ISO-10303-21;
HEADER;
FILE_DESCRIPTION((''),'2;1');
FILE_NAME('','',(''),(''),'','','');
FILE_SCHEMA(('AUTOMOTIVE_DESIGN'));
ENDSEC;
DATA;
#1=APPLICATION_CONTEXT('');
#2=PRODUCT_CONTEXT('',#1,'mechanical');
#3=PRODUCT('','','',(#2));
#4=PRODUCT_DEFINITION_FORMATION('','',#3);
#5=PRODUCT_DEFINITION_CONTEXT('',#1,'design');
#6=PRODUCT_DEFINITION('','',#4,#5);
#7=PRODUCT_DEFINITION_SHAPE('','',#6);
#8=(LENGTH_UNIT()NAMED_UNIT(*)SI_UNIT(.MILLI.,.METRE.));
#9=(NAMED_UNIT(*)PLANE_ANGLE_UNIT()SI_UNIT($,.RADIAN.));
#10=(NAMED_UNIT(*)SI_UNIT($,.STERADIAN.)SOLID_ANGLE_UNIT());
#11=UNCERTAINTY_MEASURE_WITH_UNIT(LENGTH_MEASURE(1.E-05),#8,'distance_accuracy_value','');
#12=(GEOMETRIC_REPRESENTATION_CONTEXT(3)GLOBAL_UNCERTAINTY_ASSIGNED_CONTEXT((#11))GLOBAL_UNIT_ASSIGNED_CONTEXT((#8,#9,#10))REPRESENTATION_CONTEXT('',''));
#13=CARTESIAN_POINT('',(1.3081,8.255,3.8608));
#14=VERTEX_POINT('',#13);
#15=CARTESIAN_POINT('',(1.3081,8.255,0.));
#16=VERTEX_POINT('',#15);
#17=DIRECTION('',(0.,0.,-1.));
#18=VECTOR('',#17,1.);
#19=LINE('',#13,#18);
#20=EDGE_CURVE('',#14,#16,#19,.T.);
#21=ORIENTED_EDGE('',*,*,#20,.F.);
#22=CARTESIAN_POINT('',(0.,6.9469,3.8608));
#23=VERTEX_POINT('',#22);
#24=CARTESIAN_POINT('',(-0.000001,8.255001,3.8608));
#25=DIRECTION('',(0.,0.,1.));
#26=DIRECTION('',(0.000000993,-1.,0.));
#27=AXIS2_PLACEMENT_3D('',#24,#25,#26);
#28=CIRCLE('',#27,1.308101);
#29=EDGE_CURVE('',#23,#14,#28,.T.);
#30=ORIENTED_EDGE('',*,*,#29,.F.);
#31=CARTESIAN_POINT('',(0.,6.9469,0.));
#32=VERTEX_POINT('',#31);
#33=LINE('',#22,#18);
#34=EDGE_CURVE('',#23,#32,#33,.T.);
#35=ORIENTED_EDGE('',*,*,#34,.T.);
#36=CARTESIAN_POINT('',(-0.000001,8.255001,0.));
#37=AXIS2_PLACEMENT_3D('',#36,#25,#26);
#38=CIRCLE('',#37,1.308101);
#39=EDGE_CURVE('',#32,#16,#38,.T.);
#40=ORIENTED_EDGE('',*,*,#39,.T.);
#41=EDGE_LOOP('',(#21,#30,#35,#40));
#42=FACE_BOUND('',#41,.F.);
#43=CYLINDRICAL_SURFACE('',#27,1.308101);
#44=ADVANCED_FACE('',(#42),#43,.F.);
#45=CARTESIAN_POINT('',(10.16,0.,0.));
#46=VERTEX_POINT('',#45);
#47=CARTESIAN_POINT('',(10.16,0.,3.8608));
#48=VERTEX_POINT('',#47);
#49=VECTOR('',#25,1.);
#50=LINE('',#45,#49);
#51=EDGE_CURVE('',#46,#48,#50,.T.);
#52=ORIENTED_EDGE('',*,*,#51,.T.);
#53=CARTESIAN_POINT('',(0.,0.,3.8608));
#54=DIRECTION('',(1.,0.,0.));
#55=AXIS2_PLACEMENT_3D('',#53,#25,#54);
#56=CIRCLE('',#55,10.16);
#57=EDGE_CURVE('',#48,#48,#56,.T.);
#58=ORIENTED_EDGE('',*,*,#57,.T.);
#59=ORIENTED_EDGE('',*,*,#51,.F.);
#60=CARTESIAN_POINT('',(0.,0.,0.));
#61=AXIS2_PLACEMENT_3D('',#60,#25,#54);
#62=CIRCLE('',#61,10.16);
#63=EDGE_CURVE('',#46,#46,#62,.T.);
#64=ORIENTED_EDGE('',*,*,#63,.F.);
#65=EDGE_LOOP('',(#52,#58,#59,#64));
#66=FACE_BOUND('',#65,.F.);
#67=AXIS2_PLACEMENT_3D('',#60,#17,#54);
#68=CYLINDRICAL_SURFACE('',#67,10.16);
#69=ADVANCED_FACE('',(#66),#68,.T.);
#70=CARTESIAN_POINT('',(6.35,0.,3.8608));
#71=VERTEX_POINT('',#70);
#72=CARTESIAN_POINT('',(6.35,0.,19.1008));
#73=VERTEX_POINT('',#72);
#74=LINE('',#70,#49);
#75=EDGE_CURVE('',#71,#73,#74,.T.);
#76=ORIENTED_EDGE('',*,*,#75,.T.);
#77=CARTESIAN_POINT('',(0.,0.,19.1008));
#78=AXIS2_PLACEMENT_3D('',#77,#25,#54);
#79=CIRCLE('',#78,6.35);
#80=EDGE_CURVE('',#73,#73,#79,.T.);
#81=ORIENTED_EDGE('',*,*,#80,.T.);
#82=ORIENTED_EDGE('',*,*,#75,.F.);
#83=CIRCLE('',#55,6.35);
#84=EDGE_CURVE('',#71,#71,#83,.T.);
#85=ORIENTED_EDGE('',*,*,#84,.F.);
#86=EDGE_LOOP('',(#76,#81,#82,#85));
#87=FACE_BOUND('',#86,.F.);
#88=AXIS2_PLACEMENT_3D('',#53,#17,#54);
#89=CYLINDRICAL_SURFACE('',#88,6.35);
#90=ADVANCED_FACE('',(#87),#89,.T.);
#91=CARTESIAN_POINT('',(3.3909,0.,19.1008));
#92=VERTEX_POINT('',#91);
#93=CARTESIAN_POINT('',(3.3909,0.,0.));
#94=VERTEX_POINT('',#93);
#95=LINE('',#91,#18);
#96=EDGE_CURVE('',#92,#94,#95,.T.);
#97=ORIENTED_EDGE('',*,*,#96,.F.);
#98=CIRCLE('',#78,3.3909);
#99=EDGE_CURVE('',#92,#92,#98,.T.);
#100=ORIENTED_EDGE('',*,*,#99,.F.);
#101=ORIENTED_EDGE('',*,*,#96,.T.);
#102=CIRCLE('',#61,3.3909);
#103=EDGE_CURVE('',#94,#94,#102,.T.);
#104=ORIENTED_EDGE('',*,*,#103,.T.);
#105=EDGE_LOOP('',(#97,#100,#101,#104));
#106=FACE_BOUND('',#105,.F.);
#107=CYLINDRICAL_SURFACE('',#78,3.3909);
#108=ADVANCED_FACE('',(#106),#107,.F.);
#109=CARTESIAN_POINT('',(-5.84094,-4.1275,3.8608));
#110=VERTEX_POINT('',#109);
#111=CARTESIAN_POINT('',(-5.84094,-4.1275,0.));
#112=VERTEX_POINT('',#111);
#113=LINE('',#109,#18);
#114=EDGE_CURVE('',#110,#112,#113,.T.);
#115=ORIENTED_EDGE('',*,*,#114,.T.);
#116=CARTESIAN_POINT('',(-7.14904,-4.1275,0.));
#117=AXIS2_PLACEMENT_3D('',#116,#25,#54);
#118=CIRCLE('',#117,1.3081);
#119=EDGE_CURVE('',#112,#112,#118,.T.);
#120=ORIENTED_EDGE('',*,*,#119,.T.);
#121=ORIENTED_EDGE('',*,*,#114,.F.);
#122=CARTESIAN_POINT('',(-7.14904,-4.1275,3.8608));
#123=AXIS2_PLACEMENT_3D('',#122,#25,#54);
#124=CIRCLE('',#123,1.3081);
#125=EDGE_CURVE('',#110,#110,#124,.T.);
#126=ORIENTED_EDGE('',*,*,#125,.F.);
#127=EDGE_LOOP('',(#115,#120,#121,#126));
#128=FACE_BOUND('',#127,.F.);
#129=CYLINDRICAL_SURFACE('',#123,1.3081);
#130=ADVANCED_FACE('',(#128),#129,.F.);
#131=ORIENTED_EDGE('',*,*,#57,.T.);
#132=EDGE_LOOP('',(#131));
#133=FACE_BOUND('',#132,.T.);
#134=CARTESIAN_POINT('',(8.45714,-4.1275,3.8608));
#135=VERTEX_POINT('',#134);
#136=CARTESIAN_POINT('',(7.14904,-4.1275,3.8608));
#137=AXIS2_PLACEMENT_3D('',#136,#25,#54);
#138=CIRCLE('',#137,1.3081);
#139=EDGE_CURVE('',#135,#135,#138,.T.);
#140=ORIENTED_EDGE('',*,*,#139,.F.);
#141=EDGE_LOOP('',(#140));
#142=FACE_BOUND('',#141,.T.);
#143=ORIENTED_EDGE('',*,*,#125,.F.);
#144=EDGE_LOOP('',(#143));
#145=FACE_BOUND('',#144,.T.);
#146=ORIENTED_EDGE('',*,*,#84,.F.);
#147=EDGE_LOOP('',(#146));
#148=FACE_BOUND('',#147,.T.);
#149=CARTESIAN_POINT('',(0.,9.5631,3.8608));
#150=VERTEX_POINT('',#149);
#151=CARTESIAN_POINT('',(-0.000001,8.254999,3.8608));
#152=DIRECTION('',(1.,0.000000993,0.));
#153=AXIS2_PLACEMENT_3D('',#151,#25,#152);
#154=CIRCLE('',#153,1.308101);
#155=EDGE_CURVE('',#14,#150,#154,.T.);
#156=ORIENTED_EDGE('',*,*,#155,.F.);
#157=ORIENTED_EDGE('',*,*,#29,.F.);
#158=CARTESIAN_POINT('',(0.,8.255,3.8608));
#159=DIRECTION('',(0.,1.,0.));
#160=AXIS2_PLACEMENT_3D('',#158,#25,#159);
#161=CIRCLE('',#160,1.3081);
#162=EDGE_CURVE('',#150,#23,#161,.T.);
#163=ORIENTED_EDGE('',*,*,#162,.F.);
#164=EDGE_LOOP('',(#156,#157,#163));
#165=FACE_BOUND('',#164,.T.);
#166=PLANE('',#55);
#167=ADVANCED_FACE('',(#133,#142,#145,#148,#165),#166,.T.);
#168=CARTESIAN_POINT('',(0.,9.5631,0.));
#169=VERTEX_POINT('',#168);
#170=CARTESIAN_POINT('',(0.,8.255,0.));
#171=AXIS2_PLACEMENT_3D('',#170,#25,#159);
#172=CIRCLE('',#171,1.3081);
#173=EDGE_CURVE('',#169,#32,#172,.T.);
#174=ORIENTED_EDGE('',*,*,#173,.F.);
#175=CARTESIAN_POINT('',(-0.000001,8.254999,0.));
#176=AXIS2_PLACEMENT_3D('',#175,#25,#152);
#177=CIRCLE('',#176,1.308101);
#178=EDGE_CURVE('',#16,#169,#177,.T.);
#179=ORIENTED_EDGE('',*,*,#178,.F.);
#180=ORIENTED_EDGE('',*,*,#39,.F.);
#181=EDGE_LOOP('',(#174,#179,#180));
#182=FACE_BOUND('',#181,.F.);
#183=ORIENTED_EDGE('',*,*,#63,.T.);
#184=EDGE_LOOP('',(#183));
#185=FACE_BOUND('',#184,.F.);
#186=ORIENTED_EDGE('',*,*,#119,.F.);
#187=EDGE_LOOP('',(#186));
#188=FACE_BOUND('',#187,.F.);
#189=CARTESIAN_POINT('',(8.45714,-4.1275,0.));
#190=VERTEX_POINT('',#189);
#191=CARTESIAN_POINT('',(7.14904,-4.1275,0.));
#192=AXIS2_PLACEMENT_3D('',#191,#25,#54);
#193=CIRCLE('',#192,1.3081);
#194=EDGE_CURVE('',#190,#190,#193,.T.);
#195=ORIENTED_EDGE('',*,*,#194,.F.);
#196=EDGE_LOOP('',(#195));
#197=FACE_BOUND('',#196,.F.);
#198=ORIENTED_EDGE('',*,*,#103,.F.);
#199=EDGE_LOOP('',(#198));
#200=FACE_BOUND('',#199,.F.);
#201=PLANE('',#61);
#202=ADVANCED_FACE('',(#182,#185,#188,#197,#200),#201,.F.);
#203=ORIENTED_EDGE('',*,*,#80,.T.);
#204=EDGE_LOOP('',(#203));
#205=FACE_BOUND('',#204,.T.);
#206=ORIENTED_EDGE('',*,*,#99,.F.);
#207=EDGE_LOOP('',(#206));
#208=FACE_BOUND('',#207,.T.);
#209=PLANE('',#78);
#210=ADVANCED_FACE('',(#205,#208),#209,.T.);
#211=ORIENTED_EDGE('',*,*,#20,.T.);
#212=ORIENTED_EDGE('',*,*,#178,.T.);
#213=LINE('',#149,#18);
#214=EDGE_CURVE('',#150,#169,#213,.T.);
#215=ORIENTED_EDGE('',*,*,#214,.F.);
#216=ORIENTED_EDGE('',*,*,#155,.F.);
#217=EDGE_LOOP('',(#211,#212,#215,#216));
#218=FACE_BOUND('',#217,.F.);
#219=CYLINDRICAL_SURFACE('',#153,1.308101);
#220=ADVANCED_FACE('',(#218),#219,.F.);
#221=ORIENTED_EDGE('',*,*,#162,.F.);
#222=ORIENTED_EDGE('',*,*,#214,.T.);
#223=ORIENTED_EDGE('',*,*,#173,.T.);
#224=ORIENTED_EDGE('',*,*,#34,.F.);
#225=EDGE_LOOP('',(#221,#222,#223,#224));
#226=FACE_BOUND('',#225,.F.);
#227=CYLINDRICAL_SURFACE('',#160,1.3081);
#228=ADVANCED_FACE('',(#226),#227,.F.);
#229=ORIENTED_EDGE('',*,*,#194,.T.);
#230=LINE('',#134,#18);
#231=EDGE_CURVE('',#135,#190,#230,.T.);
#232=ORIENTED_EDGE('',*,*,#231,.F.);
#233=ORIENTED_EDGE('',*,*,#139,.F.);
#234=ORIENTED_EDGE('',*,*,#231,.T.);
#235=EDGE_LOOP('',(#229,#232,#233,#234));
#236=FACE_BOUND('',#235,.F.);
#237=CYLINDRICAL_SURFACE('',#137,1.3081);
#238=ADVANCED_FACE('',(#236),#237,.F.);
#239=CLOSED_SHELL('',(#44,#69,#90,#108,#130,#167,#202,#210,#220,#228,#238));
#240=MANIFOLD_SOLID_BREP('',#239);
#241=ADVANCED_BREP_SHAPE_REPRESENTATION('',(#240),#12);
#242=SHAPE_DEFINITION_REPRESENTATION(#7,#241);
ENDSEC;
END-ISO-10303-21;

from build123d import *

# Parameters (mm, degrees)
F0_R     = 10.16
F1_DEPTH = 3.8608
F2_R     = 6.35
F3_DEPTH = 15.24
F4_R     = 1.3081
F5_DEPTH = 3.8608
F6_R     = 3.3909
F7_DEPTH = 19.1008


with BuildPart() as f1:
    # F0 (on Top) → F1 (new body)
    with BuildSketch(Plane.XY):
        Circle(F0_R)
    extrude(amount=F1_DEPTH)

    # F2 (on face) → F3 (join)
    with BuildSketch(Plane.XY.offset(3.8608)):
        Circle(F2_R)
    extrude(amount=F3_DEPTH)

    # F4 (on face) → F5 (cut, through all)
    with BuildSketch(Plane.XY.offset(3.8608)):
        with BuildLine():
            ThreePointArc((0, 6.9469), (0.924966, 7.330034), (1.3081, 8.255))
            ThreePointArc((1.3081, 8.255), (0.924966, 9.179966), (0, 9.5631))
            Line((0, 9.5631), (0, 6.9469))
        make_face()
        with BuildLine():
            Line((0, 6.9469), (0, 9.5631))
            ThreePointArc((0, 9.5631), (-1.3081, 8.255), (0, 6.9469))
        make_face()
        with Locations((-7.14904, -4.1275)):
            Circle(F4_R)
        with Locations((7.14904, -4.1275)):
            Circle(F4_R)
    extrude(amount=-F5_DEPTH, mode=Mode.SUBTRACT)

    # F6 (on face) → F7 (cut, through all)
    with BuildSketch(Plane.XY.offset(19.1008)):
        Circle(F6_R)
    extrude(amount=-F7_DEPTH, mode=Mode.SUBTRACT)


solid = f1.part
